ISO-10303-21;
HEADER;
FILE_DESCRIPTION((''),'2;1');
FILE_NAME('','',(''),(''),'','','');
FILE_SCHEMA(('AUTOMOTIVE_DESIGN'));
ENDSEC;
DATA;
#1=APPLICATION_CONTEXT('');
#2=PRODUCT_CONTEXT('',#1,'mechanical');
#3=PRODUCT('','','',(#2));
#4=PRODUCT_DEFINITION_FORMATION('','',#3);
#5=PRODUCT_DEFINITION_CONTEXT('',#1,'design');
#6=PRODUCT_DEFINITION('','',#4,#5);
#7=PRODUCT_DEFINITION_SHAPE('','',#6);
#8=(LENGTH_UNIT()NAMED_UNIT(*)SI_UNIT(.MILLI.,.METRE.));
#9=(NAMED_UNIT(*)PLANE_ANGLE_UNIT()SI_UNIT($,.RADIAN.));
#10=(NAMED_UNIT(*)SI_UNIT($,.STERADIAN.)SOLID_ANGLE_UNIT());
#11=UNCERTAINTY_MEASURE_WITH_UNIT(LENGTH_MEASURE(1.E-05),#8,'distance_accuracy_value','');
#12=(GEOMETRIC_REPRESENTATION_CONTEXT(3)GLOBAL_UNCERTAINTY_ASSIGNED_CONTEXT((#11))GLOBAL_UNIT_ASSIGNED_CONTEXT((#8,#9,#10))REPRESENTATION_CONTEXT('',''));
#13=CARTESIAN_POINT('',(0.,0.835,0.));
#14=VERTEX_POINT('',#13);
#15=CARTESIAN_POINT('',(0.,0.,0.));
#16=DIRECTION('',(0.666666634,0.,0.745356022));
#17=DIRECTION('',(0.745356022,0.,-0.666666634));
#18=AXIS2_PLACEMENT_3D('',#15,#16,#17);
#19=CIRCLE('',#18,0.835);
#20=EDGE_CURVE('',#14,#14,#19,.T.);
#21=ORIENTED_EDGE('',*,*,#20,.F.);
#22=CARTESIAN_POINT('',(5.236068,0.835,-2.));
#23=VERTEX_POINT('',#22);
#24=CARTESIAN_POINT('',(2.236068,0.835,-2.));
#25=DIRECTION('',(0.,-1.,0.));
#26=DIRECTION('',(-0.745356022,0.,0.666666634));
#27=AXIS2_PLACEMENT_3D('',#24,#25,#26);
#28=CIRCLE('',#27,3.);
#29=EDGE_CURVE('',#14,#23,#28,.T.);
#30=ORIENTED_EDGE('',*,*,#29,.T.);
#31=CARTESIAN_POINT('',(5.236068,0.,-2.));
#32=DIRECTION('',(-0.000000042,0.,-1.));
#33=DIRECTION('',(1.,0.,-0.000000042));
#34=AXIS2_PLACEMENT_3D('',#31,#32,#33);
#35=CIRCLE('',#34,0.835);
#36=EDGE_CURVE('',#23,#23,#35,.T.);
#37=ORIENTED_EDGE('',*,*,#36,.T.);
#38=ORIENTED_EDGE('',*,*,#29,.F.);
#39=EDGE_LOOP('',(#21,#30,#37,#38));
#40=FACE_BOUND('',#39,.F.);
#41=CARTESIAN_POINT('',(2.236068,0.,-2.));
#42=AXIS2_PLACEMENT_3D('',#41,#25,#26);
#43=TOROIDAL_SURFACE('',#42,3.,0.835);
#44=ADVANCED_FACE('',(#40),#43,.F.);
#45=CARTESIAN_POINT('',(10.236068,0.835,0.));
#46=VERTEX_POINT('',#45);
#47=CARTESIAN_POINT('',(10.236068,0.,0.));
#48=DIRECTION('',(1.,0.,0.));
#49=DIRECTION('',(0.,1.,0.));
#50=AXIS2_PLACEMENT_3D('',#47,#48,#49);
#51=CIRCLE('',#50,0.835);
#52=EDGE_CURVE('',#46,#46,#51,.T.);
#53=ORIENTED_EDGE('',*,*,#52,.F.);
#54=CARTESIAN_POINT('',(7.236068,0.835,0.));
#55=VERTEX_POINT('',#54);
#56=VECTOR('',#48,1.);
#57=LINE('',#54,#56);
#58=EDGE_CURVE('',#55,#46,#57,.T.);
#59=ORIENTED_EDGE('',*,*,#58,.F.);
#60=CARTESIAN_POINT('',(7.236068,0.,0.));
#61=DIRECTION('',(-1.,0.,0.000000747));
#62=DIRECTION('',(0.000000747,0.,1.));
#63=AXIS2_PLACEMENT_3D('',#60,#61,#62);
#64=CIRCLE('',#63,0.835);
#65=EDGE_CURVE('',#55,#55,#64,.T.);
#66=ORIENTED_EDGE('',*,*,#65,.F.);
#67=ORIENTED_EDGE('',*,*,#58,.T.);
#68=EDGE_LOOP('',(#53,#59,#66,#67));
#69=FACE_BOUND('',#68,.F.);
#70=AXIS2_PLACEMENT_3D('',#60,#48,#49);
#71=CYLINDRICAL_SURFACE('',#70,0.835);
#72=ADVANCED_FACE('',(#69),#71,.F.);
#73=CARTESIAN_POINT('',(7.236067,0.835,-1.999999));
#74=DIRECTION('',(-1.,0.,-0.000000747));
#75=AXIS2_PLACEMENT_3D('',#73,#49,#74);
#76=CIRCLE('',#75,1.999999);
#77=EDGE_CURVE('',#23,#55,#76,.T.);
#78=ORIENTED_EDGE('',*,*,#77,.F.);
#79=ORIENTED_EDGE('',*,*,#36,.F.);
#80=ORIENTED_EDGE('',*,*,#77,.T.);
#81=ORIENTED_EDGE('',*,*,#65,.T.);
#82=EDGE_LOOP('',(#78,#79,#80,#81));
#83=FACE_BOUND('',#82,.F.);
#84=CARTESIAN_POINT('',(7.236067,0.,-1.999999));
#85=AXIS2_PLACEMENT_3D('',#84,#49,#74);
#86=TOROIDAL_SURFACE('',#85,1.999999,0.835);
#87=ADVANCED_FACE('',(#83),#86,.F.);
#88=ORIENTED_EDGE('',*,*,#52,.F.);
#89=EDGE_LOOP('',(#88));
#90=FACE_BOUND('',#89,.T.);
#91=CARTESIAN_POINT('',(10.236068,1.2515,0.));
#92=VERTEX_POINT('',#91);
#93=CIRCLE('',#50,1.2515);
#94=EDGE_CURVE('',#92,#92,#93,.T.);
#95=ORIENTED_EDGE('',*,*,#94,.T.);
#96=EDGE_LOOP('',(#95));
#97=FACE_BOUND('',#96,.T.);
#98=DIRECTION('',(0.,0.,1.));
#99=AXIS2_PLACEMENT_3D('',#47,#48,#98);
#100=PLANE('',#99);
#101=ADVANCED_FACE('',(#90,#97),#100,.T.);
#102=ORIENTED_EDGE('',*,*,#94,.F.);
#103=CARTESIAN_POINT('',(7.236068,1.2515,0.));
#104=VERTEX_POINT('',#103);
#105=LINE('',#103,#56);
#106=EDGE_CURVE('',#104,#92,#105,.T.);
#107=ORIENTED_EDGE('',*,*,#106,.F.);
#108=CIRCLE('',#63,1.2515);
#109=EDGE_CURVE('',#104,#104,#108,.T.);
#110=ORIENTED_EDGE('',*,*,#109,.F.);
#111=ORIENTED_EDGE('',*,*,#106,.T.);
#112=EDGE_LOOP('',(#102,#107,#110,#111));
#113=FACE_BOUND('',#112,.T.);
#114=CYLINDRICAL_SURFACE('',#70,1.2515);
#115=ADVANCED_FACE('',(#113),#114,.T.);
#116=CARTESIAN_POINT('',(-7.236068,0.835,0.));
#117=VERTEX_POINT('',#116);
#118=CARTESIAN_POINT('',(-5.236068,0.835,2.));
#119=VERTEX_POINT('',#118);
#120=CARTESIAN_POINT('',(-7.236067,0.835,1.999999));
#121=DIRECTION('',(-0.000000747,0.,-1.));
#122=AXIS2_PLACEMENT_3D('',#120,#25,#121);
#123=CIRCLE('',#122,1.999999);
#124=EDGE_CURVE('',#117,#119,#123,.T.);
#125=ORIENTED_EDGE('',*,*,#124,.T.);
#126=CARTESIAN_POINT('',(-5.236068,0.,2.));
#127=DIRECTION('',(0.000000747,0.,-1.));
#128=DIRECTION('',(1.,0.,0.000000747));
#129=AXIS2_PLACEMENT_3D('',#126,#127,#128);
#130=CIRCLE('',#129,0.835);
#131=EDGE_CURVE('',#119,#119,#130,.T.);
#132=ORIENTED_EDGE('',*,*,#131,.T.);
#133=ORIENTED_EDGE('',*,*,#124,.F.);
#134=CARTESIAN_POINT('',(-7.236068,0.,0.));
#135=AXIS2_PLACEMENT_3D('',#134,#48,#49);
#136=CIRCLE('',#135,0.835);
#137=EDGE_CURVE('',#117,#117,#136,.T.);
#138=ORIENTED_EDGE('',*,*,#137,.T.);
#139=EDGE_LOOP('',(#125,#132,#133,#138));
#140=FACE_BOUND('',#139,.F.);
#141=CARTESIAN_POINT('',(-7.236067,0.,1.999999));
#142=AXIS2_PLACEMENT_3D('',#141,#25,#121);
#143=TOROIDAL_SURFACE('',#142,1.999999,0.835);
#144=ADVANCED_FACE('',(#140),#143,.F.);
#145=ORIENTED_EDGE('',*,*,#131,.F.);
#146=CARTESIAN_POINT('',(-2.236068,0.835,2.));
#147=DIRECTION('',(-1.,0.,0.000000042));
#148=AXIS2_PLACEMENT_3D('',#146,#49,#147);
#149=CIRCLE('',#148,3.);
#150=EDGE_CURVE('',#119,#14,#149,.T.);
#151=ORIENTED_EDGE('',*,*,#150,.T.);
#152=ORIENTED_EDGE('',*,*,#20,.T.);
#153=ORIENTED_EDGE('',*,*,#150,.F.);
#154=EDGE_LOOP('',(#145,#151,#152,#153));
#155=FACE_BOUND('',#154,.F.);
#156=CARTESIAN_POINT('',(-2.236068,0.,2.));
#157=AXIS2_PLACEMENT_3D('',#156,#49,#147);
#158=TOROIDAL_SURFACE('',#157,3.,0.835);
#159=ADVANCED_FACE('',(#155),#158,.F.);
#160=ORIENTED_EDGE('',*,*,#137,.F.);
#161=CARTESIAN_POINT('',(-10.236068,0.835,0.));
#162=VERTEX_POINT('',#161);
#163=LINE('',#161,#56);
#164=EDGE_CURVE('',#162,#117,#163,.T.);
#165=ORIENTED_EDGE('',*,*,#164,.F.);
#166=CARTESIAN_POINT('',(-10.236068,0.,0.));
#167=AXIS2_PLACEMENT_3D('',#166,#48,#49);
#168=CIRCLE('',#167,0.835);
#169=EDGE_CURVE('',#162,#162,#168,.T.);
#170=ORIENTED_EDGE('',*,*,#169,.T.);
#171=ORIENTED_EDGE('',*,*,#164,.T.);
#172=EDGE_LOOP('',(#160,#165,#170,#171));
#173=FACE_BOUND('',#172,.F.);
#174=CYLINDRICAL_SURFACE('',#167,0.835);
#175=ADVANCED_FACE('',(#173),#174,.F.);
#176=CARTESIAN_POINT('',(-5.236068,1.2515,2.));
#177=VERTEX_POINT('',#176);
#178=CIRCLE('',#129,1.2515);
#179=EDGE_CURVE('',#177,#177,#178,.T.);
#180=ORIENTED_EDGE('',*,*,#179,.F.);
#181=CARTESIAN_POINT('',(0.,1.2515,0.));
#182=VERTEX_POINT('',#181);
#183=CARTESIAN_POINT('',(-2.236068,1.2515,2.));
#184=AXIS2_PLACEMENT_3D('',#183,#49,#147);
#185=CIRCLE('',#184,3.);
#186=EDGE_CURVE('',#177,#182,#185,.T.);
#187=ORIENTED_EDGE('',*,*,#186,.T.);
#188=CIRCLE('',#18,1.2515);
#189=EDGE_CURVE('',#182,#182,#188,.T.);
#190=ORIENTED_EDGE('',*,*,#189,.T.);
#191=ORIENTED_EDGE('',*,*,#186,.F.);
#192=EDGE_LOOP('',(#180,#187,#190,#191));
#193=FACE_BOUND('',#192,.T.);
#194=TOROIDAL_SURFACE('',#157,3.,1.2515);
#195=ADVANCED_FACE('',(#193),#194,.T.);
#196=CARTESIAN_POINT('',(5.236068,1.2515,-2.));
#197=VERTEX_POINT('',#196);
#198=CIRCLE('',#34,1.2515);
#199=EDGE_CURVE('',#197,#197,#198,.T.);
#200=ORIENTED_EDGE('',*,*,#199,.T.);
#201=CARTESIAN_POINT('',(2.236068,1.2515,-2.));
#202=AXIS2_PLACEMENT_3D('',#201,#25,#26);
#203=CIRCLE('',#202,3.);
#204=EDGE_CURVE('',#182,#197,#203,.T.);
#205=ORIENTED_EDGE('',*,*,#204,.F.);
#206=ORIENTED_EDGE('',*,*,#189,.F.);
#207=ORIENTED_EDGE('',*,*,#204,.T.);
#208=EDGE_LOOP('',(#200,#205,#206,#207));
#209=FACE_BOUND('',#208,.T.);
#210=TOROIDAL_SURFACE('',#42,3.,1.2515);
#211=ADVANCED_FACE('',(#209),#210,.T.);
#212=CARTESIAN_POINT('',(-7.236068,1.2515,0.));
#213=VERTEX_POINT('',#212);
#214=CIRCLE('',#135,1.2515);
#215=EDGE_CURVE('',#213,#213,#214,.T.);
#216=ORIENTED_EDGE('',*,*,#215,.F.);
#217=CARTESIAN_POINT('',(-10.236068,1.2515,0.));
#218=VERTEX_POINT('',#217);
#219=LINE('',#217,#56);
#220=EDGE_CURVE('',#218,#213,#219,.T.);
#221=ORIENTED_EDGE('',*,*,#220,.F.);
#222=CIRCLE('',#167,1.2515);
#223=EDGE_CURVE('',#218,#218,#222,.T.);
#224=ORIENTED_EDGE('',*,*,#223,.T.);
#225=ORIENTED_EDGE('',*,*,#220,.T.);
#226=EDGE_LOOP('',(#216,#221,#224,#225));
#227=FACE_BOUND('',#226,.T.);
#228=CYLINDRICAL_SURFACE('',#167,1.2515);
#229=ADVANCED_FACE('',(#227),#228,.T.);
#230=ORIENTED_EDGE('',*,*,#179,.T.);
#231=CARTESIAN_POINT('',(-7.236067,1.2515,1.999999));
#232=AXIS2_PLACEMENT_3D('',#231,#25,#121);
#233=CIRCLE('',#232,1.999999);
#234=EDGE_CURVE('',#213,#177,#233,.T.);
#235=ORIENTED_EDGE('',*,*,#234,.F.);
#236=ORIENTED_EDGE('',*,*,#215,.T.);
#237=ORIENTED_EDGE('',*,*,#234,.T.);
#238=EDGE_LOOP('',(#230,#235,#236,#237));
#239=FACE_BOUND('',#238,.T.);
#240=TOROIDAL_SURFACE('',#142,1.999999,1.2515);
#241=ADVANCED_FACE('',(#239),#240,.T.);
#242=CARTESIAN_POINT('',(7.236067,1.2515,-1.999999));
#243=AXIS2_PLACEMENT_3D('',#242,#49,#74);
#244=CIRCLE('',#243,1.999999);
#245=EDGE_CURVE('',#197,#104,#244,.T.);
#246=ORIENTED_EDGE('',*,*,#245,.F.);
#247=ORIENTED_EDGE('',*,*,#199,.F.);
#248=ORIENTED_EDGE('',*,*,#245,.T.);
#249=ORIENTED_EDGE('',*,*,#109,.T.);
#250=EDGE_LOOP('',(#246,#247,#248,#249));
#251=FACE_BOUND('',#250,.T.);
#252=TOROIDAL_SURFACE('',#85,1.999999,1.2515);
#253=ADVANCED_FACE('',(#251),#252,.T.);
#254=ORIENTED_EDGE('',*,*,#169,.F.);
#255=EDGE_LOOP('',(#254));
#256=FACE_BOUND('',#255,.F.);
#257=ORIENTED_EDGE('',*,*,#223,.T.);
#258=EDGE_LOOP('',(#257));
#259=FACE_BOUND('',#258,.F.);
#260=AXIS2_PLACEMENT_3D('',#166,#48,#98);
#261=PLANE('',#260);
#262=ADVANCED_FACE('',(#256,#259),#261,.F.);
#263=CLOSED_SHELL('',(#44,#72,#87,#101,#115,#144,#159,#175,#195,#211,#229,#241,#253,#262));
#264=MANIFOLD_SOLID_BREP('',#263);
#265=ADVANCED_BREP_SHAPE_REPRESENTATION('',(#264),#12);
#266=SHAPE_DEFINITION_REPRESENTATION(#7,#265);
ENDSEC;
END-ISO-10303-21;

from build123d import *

# Parameters (mm, degrees)
F2_R   = 1.2515
F2_R_2 = 0.835


with BuildPart() as f3:
    # F3: sweep along a path in F0
    with BuildLine(Plane.XZ) as f3_path:
        Line((-10.236068, 0), (-7.236068, 0))
        ThreePointArc((-7.236068, 0), (-5.821854, 0.585786), (-5.236068, 2))
        ThreePointArc((-5.236068, 2), (-1.165602, 4.802517), (0, 0))
        ThreePointArc((0, 0), (1.165602, -4.802517), (5.236068, -2))
        ThreePointArc((5.236068, -2), (5.821854, -0.585786), (7.236068, 0))
        Line((7.236068, 0), (10.236068, 0))
    # F2 (on plane+point) → F3 (sweep)
    with BuildSketch(Plane.YZ.offset(-10.236068)):
        Circle(F2_R)
        Circle(F2_R_2, mode=Mode.SUBTRACT)
    sweep(path=f3_path.line)


solid = f3.part
